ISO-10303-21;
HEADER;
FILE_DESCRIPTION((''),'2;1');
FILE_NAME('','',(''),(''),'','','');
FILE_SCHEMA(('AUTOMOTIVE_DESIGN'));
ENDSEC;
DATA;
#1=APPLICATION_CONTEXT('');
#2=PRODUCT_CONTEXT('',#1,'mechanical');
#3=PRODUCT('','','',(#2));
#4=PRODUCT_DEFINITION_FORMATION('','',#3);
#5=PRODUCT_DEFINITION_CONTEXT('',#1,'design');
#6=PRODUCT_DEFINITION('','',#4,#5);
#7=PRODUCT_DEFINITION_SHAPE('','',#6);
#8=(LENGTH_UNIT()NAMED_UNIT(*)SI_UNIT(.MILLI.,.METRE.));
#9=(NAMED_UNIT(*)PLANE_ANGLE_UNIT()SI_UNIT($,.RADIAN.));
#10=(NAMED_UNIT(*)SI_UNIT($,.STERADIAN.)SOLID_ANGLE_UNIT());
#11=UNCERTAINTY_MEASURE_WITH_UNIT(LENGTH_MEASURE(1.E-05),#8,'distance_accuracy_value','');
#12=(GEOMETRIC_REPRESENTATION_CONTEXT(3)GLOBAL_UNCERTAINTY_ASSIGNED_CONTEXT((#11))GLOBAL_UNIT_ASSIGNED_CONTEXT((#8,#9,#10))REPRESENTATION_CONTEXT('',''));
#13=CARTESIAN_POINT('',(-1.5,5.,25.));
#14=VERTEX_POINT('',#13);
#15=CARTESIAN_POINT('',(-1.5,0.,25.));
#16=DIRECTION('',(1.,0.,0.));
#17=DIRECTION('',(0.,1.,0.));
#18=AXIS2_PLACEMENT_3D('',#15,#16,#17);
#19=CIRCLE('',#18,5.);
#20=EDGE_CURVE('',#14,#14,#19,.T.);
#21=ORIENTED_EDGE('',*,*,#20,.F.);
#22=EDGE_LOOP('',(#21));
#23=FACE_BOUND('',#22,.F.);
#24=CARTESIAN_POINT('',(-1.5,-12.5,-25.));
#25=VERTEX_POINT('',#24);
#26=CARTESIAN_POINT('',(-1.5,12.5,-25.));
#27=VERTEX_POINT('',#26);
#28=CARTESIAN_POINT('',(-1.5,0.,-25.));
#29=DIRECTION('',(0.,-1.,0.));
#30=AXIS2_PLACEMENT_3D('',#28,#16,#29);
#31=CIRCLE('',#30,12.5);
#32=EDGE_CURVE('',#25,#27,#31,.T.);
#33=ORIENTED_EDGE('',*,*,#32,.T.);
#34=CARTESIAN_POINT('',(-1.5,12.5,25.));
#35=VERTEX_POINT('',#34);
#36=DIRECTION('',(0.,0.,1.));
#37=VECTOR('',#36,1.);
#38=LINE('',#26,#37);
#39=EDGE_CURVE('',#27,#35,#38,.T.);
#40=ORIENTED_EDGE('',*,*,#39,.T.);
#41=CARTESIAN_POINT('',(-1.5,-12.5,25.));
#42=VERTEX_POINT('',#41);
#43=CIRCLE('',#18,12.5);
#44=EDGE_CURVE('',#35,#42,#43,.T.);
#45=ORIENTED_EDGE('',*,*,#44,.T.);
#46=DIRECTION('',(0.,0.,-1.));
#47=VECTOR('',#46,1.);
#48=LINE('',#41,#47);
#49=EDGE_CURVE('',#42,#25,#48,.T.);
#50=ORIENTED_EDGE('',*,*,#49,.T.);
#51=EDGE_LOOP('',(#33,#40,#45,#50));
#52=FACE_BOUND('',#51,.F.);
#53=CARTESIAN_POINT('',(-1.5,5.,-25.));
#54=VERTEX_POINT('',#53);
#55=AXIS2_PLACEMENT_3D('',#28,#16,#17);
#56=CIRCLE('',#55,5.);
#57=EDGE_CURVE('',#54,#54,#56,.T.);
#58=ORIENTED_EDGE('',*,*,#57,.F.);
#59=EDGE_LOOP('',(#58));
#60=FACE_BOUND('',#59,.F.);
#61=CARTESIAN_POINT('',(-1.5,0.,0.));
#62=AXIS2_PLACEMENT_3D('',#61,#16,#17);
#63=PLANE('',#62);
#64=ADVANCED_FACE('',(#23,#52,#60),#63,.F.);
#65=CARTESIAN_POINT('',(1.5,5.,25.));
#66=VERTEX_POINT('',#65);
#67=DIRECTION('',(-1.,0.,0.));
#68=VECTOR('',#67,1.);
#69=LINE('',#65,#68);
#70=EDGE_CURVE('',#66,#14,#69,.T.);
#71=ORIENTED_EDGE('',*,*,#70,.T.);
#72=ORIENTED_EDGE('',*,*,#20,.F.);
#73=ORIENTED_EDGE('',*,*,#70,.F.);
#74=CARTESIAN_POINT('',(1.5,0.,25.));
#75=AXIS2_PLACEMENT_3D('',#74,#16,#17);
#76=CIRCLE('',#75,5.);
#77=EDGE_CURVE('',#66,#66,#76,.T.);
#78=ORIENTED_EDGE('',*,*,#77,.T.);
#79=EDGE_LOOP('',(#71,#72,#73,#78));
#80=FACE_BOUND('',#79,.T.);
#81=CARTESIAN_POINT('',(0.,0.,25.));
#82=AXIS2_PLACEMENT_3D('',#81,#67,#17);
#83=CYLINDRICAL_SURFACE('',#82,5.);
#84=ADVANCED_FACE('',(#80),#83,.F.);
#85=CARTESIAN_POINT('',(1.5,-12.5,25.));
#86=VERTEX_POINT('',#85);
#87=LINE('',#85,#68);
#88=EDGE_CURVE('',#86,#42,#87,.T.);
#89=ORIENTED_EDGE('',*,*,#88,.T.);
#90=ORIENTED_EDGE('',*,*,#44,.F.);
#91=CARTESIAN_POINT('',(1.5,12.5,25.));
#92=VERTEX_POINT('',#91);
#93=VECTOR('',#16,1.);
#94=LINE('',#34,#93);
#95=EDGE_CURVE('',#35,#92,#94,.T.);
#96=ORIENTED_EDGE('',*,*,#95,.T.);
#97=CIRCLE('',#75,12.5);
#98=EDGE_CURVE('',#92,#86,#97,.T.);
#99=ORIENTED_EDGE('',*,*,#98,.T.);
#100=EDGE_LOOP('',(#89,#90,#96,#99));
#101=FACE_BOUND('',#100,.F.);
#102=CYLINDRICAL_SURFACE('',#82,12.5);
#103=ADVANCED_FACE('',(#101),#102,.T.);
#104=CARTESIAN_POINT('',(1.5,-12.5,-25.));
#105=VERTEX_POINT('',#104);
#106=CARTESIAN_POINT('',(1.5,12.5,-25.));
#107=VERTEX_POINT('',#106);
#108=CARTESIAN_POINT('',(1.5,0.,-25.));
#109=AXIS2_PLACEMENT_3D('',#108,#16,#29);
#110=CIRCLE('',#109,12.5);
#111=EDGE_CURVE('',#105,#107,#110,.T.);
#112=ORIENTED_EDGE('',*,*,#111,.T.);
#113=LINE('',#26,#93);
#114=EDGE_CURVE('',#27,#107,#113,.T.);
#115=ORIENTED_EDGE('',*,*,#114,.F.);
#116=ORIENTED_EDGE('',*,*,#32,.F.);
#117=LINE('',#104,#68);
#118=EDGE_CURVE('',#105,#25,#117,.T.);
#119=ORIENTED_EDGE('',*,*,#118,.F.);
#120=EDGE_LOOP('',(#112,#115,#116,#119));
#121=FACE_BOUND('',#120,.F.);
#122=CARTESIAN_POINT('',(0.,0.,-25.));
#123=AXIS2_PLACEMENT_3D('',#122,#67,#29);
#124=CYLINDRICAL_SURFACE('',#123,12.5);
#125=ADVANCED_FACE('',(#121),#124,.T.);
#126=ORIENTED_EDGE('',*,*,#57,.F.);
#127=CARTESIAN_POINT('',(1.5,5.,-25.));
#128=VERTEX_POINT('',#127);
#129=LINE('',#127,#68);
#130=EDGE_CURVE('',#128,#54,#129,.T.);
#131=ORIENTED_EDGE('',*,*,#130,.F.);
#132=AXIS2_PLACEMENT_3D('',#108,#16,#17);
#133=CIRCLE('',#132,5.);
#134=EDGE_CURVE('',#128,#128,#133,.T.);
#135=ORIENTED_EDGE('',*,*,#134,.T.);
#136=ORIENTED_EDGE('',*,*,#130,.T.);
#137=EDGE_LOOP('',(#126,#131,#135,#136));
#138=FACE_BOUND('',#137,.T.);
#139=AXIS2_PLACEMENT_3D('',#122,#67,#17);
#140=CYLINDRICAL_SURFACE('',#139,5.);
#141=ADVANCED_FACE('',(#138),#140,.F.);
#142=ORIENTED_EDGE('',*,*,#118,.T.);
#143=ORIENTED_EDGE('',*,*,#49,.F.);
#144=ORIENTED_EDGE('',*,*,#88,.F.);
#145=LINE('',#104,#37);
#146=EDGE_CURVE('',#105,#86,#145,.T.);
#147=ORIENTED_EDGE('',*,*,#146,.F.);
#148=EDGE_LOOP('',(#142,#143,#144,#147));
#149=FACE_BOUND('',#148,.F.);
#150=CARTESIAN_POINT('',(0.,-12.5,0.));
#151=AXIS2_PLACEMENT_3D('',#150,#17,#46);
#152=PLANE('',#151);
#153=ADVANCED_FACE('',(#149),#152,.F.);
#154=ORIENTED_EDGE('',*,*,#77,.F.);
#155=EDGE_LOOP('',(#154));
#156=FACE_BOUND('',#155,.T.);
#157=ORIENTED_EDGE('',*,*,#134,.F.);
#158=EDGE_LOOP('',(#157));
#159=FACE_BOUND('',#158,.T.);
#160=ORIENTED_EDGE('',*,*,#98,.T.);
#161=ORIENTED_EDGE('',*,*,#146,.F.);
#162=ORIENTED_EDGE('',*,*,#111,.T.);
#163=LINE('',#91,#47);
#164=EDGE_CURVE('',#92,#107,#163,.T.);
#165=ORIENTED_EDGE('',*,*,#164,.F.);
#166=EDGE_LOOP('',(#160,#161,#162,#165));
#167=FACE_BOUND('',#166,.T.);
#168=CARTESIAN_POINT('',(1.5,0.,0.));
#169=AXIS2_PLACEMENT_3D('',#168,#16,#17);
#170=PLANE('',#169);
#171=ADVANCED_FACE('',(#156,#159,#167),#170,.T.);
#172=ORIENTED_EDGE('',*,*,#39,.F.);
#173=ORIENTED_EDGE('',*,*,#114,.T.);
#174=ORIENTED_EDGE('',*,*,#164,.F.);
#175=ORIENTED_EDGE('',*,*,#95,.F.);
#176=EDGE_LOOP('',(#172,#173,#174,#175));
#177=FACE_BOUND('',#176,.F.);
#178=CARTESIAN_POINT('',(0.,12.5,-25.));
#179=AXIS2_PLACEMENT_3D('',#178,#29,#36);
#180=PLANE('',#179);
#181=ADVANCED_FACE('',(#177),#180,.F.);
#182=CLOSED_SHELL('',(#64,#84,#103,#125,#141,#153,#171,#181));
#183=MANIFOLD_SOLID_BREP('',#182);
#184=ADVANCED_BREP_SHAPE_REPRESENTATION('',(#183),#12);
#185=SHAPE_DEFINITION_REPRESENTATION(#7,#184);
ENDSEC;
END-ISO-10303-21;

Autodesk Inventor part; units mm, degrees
ref_plane "YZ Plane" through (0, 0, 0) normal (1, 0, 0) x (0, 1, 0)
ref_plane "XZ Plane" through (0, 0, 0) normal (0, 1, 0) x (-1, 0, 0)
ref_plane "XY Plane" through (0, 0, 0) normal (0, 0, 1) x (1, 0, 0)
sketch "Sketch1" plane through (0, 0, 0) normal (1, 0, 0) x (0, 1, 0)
  line L0 (0, -25) -> (0, 25) construction
  line L1 (12.5, -25) -> (12.5, 25)
  line L2 (-12.5, 25) -> (-12.5, -25)
  arc A0 (-12.5, -25) -> (12.5, -25) centre (0, -25) ccw
  arc A1 (12.5, 25) -> (-12.5, 25) centre (0, 25) ccw
  line L3 (23.5288, 0) -> (-21.155, 0)
  circle A2 centre (0, 25) radius 5
  circle A3 centre (0, -25) radius 5
  point P0 (0, 0)
  dimension "d1" = 25
  dimension "d15" = 10
  dimension "d16" = 50
extrude "Extrusion1" add sketch "Sketch1" along normal mid plane 3
properties part number "joint"
